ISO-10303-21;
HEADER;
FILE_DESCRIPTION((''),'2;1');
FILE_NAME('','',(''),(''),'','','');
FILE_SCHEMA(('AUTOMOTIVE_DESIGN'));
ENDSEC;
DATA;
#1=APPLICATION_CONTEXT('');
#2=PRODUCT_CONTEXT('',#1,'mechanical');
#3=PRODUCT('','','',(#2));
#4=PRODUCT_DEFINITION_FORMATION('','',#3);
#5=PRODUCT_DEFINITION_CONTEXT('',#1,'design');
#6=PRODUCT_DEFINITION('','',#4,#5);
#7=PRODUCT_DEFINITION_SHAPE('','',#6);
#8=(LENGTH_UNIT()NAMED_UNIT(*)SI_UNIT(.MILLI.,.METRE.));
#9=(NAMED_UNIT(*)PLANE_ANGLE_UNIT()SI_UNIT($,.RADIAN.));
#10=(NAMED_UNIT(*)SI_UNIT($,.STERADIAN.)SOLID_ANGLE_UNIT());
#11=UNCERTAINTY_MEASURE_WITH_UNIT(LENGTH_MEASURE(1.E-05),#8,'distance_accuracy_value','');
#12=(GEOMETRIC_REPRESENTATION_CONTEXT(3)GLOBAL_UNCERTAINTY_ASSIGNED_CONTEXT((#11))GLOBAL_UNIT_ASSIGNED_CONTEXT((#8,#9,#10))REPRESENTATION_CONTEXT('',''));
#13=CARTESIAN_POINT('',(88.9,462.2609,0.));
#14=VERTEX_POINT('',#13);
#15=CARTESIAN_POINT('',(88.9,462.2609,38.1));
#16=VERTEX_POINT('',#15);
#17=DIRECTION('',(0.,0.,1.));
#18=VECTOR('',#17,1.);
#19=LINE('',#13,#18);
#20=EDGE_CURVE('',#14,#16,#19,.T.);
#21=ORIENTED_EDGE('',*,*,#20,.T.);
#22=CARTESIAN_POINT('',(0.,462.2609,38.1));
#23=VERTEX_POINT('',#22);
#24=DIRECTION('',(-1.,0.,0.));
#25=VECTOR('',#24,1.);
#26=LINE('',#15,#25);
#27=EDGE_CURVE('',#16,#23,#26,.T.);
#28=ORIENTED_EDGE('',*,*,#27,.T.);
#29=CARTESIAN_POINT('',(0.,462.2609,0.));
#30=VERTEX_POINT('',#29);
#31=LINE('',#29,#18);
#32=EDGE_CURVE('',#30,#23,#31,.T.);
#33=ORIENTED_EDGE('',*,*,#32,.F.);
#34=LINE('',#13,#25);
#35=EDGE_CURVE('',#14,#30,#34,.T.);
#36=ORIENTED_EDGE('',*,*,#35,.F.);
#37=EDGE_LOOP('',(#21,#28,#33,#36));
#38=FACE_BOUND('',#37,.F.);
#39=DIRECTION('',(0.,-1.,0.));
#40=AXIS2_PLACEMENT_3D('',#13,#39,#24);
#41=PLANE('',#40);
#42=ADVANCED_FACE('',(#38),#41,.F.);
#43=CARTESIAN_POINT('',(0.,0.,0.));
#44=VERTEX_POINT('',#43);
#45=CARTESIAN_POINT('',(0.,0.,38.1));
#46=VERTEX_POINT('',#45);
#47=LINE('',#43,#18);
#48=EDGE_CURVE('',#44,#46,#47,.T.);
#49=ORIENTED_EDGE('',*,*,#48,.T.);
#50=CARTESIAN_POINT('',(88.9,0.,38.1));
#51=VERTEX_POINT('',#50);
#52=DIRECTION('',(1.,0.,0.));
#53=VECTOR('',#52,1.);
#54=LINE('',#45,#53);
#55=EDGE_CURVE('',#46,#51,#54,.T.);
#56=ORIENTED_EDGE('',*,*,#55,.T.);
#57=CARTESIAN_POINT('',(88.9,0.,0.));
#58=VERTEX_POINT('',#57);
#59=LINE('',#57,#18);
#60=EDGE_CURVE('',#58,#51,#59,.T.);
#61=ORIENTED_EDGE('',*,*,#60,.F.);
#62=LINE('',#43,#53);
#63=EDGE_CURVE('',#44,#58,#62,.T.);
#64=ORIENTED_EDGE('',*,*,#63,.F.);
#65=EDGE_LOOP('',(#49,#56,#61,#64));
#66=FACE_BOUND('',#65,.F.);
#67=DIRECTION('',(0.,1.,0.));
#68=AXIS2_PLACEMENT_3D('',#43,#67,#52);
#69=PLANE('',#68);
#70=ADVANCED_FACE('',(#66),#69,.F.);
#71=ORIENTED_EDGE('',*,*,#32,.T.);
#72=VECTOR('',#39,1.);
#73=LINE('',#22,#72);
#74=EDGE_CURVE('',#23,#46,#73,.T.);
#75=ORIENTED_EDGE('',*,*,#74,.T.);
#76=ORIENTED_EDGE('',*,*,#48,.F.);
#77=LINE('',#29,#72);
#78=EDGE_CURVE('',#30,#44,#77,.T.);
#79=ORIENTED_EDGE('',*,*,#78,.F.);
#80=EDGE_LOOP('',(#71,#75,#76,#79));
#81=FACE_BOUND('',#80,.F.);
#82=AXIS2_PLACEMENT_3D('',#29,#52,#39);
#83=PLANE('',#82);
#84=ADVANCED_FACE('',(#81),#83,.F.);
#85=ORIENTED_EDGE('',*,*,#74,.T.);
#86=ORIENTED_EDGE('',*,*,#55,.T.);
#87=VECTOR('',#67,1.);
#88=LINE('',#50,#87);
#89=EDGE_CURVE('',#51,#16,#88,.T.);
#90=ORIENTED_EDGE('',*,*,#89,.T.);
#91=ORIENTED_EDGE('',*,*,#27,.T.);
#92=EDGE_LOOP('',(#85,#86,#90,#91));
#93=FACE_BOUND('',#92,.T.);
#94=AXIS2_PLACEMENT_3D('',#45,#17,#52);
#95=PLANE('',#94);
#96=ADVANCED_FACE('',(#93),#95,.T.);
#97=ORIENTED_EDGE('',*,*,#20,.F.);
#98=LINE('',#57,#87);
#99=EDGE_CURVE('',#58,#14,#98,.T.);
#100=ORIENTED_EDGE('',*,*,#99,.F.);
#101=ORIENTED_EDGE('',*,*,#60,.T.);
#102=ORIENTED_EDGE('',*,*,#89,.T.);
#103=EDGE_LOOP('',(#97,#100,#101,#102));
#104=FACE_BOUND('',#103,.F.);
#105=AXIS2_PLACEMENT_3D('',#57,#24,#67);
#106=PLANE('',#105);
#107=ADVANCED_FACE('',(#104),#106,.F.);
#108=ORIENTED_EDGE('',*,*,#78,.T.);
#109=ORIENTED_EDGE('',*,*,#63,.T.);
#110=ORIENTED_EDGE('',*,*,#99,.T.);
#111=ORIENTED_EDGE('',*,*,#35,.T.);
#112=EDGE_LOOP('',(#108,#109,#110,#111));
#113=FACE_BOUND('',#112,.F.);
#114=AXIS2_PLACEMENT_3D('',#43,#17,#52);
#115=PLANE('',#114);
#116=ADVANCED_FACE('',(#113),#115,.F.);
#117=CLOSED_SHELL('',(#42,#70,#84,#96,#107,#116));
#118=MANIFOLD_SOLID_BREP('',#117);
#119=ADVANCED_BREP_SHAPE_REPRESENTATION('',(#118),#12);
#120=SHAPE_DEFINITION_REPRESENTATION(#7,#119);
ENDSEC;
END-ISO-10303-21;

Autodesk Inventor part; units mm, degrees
ref_plane "YZ Plane" through (0, 0, 0) normal (1, 0, 0) x (0, 1, 0)
ref_plane "XZ Plane" through (0, 0, 0) normal (0, 1, 0) x (-1, 0, 0)
ref_plane "XY Plane" through (0, 0, 0) normal (0, 0, 1) x (1, 0, 0)
sketch "Sketch1" plane through (0, 0, 0) normal (0, 0, 1) x (1, 0, 0)
  line L0 (0, 0) -> (88.9, 0)
  line L1 (88.9, 0) -> (88.9, 462.2609)
  line L2 (88.9, 462.2609) -> (0, 462.2609)
  line L3 (0, 462.2609) -> (0, 0)
  dimension "d0" = 88.9
  dimension "d1" = 462.2609
extrude "Extrusion1" add sketch "Sketch1" along normal blind 38.1
properties part number "Stud_With_Height_10_Inches" material "Wood (Birch)"
